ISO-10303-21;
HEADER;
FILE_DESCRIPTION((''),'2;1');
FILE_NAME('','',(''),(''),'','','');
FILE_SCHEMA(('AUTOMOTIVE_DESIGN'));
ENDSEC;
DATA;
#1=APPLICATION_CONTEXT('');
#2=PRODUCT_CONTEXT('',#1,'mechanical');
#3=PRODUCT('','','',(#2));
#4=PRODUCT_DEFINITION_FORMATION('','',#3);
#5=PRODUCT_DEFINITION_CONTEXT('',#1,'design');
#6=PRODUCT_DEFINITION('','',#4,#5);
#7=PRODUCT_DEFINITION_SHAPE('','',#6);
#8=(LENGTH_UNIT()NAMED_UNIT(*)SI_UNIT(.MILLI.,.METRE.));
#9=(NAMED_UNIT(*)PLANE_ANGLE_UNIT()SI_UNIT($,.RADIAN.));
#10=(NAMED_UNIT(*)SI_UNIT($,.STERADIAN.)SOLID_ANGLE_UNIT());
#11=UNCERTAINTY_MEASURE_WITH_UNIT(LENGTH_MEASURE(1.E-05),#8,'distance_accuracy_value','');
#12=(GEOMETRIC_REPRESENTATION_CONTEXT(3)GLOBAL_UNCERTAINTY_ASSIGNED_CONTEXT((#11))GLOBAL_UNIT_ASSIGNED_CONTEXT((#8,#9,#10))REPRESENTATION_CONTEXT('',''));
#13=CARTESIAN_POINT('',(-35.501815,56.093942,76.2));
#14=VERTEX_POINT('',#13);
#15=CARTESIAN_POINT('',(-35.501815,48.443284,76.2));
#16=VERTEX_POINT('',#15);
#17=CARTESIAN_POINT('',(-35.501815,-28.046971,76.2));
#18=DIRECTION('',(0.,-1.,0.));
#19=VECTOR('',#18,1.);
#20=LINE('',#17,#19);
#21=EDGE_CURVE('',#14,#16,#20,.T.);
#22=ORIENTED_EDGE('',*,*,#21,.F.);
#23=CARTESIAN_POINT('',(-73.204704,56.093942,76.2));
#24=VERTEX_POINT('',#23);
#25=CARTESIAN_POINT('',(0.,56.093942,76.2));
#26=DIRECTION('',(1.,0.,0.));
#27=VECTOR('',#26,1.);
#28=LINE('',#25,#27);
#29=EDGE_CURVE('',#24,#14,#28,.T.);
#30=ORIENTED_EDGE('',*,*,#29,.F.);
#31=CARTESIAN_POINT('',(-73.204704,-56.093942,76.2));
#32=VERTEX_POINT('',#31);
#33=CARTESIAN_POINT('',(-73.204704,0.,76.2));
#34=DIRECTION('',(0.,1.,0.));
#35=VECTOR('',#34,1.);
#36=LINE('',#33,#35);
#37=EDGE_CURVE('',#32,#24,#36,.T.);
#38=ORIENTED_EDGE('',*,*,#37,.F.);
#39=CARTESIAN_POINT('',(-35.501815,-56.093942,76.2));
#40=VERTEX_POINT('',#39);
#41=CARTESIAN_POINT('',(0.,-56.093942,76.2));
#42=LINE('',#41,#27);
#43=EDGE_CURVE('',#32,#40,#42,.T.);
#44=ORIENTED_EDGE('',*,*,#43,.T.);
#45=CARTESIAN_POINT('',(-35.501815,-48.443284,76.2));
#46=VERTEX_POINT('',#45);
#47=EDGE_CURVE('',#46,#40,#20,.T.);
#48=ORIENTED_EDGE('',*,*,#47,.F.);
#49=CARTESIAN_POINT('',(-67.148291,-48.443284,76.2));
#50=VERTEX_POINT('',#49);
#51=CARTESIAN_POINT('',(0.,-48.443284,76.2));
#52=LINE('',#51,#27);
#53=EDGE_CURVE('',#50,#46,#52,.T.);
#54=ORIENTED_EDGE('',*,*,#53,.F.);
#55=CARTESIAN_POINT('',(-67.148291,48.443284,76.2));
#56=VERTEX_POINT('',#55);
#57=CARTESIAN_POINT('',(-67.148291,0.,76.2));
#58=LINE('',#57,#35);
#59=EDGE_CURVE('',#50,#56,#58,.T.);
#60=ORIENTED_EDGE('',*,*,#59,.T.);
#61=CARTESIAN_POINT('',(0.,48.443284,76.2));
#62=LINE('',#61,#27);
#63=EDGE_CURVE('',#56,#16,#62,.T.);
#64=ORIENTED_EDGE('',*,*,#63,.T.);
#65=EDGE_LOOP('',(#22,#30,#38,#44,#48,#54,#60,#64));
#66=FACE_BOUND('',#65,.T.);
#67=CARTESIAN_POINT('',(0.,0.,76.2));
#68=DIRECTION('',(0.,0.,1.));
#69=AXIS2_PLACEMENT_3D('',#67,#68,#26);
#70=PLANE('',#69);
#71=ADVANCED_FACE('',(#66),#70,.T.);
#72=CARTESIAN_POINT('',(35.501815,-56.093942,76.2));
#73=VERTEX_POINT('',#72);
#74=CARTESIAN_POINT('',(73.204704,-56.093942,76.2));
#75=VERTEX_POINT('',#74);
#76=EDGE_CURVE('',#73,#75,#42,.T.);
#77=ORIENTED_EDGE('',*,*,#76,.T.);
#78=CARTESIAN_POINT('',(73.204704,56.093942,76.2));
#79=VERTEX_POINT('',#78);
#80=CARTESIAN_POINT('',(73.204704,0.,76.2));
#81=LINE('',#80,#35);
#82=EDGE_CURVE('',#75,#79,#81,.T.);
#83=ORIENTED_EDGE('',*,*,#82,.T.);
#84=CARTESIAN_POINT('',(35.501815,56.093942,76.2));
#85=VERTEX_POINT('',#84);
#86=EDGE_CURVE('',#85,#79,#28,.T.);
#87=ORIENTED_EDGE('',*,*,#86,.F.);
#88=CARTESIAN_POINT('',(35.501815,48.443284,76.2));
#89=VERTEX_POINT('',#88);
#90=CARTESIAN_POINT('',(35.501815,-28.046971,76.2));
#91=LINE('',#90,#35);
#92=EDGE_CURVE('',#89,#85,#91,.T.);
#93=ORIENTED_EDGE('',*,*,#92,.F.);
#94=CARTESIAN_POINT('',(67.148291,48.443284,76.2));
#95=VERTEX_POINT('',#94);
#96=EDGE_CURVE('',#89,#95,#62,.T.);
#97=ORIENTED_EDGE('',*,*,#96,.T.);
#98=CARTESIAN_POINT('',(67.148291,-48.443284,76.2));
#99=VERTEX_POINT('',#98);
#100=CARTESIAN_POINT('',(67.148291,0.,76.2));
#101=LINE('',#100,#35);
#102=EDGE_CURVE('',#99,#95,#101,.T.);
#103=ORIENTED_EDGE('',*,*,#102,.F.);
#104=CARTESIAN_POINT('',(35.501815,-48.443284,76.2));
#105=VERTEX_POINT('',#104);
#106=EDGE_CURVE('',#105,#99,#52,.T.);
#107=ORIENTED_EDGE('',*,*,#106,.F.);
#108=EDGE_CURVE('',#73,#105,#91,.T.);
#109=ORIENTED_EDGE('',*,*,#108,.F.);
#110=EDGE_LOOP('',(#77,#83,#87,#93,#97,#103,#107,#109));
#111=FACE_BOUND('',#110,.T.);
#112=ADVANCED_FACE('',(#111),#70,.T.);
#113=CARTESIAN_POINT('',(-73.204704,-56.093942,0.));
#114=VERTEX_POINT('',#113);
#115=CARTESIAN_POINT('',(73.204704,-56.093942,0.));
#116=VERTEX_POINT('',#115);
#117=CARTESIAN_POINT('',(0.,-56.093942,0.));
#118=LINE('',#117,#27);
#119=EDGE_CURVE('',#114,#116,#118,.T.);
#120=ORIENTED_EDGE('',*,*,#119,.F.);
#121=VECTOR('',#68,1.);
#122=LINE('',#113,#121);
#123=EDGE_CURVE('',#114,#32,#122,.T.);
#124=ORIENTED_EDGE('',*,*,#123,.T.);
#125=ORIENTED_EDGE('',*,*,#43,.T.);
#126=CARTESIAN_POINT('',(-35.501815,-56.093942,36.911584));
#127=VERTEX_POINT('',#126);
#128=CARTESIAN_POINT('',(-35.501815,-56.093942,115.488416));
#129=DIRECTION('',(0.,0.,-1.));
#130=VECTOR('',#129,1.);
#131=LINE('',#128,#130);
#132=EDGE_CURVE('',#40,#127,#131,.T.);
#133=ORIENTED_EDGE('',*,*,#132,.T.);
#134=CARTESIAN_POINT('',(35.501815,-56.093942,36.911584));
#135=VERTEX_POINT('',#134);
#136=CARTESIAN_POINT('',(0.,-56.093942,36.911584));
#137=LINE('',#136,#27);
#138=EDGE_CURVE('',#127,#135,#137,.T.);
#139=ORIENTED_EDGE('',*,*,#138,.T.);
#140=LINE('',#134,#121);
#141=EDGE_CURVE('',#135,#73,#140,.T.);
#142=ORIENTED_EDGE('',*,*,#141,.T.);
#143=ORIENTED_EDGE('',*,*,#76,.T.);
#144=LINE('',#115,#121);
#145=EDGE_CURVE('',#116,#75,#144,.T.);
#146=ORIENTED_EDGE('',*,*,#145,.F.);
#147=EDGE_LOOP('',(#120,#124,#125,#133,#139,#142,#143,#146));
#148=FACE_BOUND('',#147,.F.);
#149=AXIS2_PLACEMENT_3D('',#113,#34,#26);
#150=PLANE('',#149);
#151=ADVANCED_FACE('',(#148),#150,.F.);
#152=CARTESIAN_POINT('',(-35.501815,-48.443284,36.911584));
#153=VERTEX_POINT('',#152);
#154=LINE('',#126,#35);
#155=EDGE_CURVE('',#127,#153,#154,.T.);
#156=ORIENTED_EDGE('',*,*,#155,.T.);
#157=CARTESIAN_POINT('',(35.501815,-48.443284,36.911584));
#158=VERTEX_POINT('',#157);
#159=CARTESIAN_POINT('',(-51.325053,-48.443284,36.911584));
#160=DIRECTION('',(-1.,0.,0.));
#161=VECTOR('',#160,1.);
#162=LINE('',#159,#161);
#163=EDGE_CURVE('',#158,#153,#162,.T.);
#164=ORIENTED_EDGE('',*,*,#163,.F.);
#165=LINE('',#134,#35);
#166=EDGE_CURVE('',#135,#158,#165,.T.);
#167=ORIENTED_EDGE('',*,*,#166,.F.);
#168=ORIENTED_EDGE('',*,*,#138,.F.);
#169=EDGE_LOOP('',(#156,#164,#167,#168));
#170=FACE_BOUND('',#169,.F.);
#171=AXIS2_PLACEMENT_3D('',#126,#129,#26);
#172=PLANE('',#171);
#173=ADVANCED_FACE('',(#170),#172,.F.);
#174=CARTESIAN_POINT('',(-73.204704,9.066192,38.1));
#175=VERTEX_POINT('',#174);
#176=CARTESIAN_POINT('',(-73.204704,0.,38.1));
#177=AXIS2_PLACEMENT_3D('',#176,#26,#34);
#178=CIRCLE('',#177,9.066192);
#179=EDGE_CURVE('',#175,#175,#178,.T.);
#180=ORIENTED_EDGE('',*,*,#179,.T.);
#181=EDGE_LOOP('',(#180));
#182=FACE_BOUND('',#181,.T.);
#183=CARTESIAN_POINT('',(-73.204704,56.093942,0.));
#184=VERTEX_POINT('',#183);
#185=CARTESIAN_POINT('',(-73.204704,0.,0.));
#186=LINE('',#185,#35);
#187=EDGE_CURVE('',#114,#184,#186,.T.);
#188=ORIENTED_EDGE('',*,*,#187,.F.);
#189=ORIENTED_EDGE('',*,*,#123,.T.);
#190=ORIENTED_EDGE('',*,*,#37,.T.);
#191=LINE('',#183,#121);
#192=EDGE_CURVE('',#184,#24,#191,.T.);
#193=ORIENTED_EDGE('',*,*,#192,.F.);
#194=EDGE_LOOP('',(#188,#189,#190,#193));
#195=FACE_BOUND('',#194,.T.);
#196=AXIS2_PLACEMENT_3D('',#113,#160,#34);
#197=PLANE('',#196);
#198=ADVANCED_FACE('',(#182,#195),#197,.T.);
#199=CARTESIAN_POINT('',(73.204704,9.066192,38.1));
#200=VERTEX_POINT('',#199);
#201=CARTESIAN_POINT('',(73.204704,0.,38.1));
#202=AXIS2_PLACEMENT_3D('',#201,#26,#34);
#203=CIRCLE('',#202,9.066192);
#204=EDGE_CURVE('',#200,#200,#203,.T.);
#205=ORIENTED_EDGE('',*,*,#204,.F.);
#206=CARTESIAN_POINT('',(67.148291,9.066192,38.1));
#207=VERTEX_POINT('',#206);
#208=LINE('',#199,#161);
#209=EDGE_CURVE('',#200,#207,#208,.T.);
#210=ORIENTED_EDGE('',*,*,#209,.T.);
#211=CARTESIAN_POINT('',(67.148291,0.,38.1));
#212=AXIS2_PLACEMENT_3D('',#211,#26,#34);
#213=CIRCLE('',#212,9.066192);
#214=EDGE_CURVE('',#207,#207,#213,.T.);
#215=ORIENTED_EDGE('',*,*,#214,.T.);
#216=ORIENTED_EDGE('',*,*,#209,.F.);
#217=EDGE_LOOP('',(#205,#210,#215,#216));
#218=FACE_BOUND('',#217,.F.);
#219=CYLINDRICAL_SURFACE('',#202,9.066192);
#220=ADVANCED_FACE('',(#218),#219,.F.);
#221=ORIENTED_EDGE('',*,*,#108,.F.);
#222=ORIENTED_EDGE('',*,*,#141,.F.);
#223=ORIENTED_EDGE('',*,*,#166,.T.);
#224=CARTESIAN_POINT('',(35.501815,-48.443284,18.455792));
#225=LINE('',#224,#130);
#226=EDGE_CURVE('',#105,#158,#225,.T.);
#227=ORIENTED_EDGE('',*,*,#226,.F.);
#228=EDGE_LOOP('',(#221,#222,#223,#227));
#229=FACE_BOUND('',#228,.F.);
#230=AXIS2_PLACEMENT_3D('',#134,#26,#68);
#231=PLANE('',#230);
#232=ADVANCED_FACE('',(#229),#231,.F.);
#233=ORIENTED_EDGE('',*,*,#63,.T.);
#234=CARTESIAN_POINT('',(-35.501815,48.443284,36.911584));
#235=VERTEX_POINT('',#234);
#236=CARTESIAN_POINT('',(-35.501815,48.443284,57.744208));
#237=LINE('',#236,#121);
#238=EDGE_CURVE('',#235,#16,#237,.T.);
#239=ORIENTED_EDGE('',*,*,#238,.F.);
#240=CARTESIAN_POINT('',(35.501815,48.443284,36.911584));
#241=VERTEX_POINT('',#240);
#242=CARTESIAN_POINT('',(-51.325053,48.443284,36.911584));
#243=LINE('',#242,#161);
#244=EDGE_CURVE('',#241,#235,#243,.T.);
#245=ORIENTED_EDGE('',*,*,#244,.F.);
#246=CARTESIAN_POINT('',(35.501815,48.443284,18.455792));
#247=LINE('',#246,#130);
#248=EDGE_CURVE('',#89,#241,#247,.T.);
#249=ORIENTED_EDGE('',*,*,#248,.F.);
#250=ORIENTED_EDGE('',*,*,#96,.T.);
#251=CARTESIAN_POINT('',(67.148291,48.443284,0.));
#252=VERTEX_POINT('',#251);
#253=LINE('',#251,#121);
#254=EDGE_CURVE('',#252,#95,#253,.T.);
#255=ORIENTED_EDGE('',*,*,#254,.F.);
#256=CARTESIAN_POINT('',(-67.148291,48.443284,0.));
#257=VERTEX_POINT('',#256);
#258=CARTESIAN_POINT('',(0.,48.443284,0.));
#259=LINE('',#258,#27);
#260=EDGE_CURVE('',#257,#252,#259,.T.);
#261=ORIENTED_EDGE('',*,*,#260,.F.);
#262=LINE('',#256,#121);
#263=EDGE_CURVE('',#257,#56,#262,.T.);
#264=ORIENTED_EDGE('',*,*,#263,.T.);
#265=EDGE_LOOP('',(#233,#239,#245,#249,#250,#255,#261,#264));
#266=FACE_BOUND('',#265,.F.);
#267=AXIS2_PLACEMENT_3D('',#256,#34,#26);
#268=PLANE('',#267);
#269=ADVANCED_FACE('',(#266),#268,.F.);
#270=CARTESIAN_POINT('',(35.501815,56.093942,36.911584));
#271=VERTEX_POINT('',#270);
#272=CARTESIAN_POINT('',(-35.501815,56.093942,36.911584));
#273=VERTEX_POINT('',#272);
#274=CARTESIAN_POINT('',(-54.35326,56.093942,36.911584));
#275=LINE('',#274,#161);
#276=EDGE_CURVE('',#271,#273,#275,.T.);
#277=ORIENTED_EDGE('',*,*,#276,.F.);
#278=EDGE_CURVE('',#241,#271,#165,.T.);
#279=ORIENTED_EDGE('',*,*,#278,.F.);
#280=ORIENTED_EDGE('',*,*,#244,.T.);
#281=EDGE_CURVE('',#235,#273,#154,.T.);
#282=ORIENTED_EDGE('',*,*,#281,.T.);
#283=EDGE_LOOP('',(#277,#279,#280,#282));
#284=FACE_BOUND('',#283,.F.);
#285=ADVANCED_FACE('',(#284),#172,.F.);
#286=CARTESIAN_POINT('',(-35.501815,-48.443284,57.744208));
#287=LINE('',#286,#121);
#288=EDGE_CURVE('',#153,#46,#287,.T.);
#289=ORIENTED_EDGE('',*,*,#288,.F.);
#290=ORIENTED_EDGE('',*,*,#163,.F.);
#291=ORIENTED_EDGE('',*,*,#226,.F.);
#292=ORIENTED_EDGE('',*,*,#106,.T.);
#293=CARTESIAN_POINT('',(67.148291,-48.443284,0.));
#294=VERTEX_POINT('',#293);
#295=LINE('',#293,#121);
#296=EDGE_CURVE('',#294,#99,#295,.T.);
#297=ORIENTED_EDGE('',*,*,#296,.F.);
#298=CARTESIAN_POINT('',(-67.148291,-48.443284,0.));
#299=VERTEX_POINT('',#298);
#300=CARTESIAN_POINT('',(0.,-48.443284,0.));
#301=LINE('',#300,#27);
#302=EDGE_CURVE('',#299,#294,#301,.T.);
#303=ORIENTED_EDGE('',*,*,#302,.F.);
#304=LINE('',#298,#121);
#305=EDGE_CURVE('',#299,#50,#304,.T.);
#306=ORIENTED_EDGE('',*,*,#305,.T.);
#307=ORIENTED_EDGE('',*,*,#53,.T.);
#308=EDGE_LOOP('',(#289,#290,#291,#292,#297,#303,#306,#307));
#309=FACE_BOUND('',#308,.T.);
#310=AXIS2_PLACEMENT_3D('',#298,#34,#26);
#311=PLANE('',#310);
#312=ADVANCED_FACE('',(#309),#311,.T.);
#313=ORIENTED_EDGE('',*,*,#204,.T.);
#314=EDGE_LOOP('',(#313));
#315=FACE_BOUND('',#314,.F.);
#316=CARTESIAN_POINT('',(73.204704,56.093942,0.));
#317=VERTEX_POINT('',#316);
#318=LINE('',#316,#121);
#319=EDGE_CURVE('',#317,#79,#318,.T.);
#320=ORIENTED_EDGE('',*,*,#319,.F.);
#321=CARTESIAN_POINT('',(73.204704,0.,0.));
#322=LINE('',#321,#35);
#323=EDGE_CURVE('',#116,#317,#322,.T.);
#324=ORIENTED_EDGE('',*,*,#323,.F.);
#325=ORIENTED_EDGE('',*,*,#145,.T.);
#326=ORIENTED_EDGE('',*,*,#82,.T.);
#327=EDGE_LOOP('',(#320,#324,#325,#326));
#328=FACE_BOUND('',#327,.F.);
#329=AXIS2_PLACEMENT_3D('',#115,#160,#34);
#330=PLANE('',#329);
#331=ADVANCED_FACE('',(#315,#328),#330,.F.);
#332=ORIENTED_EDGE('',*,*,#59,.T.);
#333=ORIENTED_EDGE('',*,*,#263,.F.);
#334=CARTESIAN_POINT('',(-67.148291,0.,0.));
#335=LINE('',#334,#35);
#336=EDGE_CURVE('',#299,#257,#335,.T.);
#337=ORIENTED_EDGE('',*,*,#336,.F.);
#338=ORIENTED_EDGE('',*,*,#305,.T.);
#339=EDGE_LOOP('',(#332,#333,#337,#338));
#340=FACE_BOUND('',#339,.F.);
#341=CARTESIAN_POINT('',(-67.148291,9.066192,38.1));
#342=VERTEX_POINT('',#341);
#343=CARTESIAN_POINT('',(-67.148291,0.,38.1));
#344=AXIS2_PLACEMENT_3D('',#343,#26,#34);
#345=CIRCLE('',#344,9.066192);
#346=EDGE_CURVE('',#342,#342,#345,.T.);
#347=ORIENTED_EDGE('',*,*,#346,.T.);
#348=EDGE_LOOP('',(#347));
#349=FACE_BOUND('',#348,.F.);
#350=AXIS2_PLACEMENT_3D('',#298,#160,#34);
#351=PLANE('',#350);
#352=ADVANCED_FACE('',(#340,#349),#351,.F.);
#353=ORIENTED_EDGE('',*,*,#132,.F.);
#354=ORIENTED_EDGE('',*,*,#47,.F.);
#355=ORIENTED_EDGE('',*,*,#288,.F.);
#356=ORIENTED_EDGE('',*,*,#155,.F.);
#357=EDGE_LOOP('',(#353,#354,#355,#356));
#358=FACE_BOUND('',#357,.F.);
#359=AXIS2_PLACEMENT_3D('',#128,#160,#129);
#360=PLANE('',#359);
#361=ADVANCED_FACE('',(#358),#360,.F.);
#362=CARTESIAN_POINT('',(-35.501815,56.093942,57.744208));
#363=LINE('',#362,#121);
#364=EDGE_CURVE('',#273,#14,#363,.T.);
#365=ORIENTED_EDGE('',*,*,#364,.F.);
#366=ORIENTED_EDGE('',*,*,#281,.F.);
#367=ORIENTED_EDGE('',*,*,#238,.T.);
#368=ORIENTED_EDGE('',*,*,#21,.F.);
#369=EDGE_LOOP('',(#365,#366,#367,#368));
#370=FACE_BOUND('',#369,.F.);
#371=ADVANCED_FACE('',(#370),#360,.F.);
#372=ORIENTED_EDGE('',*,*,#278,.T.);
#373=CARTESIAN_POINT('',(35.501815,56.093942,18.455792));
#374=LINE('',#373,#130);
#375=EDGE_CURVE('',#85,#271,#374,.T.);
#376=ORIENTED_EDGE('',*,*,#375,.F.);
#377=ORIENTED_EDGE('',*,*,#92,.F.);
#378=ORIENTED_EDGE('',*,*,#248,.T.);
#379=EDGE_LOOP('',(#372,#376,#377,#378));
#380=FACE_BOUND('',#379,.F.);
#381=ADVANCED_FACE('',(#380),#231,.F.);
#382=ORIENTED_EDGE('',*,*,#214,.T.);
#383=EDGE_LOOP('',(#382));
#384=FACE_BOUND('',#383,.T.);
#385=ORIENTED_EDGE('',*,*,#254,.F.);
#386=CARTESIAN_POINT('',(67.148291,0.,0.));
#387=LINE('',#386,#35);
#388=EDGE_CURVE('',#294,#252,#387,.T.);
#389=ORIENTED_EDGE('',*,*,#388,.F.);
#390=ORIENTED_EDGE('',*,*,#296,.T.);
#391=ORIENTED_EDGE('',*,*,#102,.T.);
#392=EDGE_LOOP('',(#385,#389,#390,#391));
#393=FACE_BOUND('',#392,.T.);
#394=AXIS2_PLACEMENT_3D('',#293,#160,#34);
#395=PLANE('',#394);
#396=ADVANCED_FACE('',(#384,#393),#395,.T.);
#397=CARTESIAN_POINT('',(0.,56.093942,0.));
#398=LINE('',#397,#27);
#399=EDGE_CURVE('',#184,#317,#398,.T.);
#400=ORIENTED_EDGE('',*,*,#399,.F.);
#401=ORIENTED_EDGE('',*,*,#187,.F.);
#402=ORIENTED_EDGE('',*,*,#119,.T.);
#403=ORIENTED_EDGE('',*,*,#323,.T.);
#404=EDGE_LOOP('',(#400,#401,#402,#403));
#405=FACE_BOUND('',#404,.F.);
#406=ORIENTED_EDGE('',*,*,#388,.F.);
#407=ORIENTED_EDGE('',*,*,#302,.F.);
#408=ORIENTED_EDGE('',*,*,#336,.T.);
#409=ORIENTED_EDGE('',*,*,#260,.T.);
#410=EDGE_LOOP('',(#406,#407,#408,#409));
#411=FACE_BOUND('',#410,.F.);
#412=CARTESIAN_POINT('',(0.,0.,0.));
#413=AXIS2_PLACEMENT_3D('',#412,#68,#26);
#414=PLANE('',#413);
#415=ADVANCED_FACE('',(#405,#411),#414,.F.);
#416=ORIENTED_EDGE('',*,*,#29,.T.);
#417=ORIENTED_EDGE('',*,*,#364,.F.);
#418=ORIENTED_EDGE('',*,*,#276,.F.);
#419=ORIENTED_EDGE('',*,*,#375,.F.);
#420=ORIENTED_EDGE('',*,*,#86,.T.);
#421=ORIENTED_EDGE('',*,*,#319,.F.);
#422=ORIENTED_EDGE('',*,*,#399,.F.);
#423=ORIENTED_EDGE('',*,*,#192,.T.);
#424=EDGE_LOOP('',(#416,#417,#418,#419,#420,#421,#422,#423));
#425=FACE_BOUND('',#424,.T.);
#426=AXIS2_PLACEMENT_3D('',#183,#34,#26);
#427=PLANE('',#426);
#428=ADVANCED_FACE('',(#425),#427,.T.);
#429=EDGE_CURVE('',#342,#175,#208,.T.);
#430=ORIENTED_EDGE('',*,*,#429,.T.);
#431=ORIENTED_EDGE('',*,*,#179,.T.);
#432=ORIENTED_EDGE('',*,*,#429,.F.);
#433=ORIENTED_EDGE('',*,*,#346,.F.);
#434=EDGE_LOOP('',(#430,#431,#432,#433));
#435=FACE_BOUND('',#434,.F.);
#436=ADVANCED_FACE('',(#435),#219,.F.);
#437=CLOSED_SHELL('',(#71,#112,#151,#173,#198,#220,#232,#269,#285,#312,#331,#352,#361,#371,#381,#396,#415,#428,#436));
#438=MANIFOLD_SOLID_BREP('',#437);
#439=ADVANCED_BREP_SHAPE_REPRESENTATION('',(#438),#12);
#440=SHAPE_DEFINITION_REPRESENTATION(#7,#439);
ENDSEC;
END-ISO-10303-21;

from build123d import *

# Parameters (mm, degrees)
F0_W     = 146.409408
F0_H     = 112.187884
F0_W_2   = 134.296582
F0_H_2   = 96.886568
F1_DEPTH = 76.2
F2_W     = 71.00363
F2_H     = 39.288416
F3_DEPTH = 112.188885
F4_R     = 9.066192
F5_DEPTH = 146.410407


with BuildPart() as f1:
    # F0 (on Top) → F1 (new body)
    with BuildSketch(Plane.XY):
        Rectangle(F0_W, F0_H)
        Rectangle(F0_W_2, F0_H_2, mode=Mode.SUBTRACT)
    extrude(amount=F1_DEPTH)

    # F2 (on face) → F3 (cut, through all)
    with BuildSketch(Plane.XZ.offset(56.093942)):
        with Locations((0, 95.844208)):
            Rectangle(F2_W, F2_H)
        with Locations((0, 56.555792)):
            Rectangle(F2_W, F2_H)
    extrude(amount=-F3_DEPTH, mode=Mode.SUBTRACT)

    # F4 (on face) → F5 (cut, through all)
    with BuildSketch(Plane.YZ.offset(73.204704)):
        with Locations((0, 38.1)):
            Circle(F4_R)
    extrude(amount=-F5_DEPTH, mode=Mode.SUBTRACT)


solid = f1.part
